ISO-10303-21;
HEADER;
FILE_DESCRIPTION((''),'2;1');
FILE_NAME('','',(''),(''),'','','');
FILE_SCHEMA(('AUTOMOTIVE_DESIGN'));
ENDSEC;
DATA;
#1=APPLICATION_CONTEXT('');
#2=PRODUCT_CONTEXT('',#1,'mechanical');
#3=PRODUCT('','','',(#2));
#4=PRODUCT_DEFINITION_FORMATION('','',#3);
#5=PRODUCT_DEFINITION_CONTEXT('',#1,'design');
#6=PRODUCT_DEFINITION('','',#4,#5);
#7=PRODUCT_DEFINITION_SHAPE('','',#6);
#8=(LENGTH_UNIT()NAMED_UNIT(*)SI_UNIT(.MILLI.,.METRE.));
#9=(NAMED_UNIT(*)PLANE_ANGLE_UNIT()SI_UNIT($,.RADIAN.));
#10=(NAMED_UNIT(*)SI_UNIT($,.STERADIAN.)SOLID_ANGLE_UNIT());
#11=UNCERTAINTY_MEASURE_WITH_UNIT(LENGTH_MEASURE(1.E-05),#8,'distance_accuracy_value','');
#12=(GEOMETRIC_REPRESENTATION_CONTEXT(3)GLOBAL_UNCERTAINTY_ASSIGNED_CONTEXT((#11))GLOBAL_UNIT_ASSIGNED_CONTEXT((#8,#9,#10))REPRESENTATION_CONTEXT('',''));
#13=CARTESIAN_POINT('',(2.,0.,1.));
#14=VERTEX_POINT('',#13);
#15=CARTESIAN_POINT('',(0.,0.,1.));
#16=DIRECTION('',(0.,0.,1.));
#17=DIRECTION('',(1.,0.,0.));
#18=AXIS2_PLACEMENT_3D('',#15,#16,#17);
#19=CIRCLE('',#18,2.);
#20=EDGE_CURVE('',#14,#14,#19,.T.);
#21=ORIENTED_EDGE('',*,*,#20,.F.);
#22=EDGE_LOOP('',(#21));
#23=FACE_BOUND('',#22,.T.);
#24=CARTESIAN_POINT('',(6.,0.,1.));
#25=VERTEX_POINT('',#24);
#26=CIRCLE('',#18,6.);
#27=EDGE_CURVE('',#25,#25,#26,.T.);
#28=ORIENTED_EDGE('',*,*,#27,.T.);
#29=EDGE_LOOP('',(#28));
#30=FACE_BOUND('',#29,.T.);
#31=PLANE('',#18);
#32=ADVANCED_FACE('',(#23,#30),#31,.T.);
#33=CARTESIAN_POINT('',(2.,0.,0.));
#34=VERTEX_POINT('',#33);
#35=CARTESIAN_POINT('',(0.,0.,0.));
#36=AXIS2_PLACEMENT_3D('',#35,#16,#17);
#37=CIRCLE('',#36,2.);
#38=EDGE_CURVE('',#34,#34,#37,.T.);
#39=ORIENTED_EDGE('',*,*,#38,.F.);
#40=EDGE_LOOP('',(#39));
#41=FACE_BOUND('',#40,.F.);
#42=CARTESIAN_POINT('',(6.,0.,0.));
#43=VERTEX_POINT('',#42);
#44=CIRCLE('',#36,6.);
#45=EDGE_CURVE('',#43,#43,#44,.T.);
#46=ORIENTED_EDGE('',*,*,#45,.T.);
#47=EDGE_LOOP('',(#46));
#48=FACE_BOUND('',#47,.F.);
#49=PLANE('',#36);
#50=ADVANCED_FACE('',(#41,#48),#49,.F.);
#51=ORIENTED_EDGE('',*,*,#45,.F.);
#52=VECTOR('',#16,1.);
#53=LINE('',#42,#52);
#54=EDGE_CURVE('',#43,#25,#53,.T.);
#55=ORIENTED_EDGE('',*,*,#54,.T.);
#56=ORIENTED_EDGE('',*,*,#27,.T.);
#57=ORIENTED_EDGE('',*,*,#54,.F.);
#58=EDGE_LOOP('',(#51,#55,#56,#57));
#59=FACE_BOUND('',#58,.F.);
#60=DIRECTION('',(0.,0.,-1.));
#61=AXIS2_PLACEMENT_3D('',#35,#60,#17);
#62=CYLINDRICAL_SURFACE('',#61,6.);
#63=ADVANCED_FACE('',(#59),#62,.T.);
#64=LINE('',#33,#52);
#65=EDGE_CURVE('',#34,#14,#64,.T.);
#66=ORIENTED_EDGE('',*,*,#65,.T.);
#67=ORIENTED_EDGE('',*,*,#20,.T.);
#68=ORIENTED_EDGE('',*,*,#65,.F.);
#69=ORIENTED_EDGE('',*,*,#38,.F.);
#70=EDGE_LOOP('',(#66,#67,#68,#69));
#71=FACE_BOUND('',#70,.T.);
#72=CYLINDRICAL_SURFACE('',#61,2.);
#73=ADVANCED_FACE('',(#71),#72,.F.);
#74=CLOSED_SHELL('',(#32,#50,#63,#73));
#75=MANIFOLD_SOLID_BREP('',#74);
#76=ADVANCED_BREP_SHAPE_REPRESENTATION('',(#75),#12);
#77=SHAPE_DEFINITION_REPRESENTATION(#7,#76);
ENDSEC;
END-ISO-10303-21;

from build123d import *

# Parameters (mm, degrees)
SKETCH1_R           = 6
SKETCH1_R_2         = 2
BOSS_EXTRUDE2_DEPTH = 1


with BuildPart() as part:
    # Sketch1 → Boss-Extrude2 (new body)
    with BuildSketch(Plane.XY):
        Circle(SKETCH1_R)
        Circle(SKETCH1_R_2, mode=Mode.SUBTRACT)
    extrude(amount=BOSS_EXTRUDE2_DEPTH)


solid = part.part
